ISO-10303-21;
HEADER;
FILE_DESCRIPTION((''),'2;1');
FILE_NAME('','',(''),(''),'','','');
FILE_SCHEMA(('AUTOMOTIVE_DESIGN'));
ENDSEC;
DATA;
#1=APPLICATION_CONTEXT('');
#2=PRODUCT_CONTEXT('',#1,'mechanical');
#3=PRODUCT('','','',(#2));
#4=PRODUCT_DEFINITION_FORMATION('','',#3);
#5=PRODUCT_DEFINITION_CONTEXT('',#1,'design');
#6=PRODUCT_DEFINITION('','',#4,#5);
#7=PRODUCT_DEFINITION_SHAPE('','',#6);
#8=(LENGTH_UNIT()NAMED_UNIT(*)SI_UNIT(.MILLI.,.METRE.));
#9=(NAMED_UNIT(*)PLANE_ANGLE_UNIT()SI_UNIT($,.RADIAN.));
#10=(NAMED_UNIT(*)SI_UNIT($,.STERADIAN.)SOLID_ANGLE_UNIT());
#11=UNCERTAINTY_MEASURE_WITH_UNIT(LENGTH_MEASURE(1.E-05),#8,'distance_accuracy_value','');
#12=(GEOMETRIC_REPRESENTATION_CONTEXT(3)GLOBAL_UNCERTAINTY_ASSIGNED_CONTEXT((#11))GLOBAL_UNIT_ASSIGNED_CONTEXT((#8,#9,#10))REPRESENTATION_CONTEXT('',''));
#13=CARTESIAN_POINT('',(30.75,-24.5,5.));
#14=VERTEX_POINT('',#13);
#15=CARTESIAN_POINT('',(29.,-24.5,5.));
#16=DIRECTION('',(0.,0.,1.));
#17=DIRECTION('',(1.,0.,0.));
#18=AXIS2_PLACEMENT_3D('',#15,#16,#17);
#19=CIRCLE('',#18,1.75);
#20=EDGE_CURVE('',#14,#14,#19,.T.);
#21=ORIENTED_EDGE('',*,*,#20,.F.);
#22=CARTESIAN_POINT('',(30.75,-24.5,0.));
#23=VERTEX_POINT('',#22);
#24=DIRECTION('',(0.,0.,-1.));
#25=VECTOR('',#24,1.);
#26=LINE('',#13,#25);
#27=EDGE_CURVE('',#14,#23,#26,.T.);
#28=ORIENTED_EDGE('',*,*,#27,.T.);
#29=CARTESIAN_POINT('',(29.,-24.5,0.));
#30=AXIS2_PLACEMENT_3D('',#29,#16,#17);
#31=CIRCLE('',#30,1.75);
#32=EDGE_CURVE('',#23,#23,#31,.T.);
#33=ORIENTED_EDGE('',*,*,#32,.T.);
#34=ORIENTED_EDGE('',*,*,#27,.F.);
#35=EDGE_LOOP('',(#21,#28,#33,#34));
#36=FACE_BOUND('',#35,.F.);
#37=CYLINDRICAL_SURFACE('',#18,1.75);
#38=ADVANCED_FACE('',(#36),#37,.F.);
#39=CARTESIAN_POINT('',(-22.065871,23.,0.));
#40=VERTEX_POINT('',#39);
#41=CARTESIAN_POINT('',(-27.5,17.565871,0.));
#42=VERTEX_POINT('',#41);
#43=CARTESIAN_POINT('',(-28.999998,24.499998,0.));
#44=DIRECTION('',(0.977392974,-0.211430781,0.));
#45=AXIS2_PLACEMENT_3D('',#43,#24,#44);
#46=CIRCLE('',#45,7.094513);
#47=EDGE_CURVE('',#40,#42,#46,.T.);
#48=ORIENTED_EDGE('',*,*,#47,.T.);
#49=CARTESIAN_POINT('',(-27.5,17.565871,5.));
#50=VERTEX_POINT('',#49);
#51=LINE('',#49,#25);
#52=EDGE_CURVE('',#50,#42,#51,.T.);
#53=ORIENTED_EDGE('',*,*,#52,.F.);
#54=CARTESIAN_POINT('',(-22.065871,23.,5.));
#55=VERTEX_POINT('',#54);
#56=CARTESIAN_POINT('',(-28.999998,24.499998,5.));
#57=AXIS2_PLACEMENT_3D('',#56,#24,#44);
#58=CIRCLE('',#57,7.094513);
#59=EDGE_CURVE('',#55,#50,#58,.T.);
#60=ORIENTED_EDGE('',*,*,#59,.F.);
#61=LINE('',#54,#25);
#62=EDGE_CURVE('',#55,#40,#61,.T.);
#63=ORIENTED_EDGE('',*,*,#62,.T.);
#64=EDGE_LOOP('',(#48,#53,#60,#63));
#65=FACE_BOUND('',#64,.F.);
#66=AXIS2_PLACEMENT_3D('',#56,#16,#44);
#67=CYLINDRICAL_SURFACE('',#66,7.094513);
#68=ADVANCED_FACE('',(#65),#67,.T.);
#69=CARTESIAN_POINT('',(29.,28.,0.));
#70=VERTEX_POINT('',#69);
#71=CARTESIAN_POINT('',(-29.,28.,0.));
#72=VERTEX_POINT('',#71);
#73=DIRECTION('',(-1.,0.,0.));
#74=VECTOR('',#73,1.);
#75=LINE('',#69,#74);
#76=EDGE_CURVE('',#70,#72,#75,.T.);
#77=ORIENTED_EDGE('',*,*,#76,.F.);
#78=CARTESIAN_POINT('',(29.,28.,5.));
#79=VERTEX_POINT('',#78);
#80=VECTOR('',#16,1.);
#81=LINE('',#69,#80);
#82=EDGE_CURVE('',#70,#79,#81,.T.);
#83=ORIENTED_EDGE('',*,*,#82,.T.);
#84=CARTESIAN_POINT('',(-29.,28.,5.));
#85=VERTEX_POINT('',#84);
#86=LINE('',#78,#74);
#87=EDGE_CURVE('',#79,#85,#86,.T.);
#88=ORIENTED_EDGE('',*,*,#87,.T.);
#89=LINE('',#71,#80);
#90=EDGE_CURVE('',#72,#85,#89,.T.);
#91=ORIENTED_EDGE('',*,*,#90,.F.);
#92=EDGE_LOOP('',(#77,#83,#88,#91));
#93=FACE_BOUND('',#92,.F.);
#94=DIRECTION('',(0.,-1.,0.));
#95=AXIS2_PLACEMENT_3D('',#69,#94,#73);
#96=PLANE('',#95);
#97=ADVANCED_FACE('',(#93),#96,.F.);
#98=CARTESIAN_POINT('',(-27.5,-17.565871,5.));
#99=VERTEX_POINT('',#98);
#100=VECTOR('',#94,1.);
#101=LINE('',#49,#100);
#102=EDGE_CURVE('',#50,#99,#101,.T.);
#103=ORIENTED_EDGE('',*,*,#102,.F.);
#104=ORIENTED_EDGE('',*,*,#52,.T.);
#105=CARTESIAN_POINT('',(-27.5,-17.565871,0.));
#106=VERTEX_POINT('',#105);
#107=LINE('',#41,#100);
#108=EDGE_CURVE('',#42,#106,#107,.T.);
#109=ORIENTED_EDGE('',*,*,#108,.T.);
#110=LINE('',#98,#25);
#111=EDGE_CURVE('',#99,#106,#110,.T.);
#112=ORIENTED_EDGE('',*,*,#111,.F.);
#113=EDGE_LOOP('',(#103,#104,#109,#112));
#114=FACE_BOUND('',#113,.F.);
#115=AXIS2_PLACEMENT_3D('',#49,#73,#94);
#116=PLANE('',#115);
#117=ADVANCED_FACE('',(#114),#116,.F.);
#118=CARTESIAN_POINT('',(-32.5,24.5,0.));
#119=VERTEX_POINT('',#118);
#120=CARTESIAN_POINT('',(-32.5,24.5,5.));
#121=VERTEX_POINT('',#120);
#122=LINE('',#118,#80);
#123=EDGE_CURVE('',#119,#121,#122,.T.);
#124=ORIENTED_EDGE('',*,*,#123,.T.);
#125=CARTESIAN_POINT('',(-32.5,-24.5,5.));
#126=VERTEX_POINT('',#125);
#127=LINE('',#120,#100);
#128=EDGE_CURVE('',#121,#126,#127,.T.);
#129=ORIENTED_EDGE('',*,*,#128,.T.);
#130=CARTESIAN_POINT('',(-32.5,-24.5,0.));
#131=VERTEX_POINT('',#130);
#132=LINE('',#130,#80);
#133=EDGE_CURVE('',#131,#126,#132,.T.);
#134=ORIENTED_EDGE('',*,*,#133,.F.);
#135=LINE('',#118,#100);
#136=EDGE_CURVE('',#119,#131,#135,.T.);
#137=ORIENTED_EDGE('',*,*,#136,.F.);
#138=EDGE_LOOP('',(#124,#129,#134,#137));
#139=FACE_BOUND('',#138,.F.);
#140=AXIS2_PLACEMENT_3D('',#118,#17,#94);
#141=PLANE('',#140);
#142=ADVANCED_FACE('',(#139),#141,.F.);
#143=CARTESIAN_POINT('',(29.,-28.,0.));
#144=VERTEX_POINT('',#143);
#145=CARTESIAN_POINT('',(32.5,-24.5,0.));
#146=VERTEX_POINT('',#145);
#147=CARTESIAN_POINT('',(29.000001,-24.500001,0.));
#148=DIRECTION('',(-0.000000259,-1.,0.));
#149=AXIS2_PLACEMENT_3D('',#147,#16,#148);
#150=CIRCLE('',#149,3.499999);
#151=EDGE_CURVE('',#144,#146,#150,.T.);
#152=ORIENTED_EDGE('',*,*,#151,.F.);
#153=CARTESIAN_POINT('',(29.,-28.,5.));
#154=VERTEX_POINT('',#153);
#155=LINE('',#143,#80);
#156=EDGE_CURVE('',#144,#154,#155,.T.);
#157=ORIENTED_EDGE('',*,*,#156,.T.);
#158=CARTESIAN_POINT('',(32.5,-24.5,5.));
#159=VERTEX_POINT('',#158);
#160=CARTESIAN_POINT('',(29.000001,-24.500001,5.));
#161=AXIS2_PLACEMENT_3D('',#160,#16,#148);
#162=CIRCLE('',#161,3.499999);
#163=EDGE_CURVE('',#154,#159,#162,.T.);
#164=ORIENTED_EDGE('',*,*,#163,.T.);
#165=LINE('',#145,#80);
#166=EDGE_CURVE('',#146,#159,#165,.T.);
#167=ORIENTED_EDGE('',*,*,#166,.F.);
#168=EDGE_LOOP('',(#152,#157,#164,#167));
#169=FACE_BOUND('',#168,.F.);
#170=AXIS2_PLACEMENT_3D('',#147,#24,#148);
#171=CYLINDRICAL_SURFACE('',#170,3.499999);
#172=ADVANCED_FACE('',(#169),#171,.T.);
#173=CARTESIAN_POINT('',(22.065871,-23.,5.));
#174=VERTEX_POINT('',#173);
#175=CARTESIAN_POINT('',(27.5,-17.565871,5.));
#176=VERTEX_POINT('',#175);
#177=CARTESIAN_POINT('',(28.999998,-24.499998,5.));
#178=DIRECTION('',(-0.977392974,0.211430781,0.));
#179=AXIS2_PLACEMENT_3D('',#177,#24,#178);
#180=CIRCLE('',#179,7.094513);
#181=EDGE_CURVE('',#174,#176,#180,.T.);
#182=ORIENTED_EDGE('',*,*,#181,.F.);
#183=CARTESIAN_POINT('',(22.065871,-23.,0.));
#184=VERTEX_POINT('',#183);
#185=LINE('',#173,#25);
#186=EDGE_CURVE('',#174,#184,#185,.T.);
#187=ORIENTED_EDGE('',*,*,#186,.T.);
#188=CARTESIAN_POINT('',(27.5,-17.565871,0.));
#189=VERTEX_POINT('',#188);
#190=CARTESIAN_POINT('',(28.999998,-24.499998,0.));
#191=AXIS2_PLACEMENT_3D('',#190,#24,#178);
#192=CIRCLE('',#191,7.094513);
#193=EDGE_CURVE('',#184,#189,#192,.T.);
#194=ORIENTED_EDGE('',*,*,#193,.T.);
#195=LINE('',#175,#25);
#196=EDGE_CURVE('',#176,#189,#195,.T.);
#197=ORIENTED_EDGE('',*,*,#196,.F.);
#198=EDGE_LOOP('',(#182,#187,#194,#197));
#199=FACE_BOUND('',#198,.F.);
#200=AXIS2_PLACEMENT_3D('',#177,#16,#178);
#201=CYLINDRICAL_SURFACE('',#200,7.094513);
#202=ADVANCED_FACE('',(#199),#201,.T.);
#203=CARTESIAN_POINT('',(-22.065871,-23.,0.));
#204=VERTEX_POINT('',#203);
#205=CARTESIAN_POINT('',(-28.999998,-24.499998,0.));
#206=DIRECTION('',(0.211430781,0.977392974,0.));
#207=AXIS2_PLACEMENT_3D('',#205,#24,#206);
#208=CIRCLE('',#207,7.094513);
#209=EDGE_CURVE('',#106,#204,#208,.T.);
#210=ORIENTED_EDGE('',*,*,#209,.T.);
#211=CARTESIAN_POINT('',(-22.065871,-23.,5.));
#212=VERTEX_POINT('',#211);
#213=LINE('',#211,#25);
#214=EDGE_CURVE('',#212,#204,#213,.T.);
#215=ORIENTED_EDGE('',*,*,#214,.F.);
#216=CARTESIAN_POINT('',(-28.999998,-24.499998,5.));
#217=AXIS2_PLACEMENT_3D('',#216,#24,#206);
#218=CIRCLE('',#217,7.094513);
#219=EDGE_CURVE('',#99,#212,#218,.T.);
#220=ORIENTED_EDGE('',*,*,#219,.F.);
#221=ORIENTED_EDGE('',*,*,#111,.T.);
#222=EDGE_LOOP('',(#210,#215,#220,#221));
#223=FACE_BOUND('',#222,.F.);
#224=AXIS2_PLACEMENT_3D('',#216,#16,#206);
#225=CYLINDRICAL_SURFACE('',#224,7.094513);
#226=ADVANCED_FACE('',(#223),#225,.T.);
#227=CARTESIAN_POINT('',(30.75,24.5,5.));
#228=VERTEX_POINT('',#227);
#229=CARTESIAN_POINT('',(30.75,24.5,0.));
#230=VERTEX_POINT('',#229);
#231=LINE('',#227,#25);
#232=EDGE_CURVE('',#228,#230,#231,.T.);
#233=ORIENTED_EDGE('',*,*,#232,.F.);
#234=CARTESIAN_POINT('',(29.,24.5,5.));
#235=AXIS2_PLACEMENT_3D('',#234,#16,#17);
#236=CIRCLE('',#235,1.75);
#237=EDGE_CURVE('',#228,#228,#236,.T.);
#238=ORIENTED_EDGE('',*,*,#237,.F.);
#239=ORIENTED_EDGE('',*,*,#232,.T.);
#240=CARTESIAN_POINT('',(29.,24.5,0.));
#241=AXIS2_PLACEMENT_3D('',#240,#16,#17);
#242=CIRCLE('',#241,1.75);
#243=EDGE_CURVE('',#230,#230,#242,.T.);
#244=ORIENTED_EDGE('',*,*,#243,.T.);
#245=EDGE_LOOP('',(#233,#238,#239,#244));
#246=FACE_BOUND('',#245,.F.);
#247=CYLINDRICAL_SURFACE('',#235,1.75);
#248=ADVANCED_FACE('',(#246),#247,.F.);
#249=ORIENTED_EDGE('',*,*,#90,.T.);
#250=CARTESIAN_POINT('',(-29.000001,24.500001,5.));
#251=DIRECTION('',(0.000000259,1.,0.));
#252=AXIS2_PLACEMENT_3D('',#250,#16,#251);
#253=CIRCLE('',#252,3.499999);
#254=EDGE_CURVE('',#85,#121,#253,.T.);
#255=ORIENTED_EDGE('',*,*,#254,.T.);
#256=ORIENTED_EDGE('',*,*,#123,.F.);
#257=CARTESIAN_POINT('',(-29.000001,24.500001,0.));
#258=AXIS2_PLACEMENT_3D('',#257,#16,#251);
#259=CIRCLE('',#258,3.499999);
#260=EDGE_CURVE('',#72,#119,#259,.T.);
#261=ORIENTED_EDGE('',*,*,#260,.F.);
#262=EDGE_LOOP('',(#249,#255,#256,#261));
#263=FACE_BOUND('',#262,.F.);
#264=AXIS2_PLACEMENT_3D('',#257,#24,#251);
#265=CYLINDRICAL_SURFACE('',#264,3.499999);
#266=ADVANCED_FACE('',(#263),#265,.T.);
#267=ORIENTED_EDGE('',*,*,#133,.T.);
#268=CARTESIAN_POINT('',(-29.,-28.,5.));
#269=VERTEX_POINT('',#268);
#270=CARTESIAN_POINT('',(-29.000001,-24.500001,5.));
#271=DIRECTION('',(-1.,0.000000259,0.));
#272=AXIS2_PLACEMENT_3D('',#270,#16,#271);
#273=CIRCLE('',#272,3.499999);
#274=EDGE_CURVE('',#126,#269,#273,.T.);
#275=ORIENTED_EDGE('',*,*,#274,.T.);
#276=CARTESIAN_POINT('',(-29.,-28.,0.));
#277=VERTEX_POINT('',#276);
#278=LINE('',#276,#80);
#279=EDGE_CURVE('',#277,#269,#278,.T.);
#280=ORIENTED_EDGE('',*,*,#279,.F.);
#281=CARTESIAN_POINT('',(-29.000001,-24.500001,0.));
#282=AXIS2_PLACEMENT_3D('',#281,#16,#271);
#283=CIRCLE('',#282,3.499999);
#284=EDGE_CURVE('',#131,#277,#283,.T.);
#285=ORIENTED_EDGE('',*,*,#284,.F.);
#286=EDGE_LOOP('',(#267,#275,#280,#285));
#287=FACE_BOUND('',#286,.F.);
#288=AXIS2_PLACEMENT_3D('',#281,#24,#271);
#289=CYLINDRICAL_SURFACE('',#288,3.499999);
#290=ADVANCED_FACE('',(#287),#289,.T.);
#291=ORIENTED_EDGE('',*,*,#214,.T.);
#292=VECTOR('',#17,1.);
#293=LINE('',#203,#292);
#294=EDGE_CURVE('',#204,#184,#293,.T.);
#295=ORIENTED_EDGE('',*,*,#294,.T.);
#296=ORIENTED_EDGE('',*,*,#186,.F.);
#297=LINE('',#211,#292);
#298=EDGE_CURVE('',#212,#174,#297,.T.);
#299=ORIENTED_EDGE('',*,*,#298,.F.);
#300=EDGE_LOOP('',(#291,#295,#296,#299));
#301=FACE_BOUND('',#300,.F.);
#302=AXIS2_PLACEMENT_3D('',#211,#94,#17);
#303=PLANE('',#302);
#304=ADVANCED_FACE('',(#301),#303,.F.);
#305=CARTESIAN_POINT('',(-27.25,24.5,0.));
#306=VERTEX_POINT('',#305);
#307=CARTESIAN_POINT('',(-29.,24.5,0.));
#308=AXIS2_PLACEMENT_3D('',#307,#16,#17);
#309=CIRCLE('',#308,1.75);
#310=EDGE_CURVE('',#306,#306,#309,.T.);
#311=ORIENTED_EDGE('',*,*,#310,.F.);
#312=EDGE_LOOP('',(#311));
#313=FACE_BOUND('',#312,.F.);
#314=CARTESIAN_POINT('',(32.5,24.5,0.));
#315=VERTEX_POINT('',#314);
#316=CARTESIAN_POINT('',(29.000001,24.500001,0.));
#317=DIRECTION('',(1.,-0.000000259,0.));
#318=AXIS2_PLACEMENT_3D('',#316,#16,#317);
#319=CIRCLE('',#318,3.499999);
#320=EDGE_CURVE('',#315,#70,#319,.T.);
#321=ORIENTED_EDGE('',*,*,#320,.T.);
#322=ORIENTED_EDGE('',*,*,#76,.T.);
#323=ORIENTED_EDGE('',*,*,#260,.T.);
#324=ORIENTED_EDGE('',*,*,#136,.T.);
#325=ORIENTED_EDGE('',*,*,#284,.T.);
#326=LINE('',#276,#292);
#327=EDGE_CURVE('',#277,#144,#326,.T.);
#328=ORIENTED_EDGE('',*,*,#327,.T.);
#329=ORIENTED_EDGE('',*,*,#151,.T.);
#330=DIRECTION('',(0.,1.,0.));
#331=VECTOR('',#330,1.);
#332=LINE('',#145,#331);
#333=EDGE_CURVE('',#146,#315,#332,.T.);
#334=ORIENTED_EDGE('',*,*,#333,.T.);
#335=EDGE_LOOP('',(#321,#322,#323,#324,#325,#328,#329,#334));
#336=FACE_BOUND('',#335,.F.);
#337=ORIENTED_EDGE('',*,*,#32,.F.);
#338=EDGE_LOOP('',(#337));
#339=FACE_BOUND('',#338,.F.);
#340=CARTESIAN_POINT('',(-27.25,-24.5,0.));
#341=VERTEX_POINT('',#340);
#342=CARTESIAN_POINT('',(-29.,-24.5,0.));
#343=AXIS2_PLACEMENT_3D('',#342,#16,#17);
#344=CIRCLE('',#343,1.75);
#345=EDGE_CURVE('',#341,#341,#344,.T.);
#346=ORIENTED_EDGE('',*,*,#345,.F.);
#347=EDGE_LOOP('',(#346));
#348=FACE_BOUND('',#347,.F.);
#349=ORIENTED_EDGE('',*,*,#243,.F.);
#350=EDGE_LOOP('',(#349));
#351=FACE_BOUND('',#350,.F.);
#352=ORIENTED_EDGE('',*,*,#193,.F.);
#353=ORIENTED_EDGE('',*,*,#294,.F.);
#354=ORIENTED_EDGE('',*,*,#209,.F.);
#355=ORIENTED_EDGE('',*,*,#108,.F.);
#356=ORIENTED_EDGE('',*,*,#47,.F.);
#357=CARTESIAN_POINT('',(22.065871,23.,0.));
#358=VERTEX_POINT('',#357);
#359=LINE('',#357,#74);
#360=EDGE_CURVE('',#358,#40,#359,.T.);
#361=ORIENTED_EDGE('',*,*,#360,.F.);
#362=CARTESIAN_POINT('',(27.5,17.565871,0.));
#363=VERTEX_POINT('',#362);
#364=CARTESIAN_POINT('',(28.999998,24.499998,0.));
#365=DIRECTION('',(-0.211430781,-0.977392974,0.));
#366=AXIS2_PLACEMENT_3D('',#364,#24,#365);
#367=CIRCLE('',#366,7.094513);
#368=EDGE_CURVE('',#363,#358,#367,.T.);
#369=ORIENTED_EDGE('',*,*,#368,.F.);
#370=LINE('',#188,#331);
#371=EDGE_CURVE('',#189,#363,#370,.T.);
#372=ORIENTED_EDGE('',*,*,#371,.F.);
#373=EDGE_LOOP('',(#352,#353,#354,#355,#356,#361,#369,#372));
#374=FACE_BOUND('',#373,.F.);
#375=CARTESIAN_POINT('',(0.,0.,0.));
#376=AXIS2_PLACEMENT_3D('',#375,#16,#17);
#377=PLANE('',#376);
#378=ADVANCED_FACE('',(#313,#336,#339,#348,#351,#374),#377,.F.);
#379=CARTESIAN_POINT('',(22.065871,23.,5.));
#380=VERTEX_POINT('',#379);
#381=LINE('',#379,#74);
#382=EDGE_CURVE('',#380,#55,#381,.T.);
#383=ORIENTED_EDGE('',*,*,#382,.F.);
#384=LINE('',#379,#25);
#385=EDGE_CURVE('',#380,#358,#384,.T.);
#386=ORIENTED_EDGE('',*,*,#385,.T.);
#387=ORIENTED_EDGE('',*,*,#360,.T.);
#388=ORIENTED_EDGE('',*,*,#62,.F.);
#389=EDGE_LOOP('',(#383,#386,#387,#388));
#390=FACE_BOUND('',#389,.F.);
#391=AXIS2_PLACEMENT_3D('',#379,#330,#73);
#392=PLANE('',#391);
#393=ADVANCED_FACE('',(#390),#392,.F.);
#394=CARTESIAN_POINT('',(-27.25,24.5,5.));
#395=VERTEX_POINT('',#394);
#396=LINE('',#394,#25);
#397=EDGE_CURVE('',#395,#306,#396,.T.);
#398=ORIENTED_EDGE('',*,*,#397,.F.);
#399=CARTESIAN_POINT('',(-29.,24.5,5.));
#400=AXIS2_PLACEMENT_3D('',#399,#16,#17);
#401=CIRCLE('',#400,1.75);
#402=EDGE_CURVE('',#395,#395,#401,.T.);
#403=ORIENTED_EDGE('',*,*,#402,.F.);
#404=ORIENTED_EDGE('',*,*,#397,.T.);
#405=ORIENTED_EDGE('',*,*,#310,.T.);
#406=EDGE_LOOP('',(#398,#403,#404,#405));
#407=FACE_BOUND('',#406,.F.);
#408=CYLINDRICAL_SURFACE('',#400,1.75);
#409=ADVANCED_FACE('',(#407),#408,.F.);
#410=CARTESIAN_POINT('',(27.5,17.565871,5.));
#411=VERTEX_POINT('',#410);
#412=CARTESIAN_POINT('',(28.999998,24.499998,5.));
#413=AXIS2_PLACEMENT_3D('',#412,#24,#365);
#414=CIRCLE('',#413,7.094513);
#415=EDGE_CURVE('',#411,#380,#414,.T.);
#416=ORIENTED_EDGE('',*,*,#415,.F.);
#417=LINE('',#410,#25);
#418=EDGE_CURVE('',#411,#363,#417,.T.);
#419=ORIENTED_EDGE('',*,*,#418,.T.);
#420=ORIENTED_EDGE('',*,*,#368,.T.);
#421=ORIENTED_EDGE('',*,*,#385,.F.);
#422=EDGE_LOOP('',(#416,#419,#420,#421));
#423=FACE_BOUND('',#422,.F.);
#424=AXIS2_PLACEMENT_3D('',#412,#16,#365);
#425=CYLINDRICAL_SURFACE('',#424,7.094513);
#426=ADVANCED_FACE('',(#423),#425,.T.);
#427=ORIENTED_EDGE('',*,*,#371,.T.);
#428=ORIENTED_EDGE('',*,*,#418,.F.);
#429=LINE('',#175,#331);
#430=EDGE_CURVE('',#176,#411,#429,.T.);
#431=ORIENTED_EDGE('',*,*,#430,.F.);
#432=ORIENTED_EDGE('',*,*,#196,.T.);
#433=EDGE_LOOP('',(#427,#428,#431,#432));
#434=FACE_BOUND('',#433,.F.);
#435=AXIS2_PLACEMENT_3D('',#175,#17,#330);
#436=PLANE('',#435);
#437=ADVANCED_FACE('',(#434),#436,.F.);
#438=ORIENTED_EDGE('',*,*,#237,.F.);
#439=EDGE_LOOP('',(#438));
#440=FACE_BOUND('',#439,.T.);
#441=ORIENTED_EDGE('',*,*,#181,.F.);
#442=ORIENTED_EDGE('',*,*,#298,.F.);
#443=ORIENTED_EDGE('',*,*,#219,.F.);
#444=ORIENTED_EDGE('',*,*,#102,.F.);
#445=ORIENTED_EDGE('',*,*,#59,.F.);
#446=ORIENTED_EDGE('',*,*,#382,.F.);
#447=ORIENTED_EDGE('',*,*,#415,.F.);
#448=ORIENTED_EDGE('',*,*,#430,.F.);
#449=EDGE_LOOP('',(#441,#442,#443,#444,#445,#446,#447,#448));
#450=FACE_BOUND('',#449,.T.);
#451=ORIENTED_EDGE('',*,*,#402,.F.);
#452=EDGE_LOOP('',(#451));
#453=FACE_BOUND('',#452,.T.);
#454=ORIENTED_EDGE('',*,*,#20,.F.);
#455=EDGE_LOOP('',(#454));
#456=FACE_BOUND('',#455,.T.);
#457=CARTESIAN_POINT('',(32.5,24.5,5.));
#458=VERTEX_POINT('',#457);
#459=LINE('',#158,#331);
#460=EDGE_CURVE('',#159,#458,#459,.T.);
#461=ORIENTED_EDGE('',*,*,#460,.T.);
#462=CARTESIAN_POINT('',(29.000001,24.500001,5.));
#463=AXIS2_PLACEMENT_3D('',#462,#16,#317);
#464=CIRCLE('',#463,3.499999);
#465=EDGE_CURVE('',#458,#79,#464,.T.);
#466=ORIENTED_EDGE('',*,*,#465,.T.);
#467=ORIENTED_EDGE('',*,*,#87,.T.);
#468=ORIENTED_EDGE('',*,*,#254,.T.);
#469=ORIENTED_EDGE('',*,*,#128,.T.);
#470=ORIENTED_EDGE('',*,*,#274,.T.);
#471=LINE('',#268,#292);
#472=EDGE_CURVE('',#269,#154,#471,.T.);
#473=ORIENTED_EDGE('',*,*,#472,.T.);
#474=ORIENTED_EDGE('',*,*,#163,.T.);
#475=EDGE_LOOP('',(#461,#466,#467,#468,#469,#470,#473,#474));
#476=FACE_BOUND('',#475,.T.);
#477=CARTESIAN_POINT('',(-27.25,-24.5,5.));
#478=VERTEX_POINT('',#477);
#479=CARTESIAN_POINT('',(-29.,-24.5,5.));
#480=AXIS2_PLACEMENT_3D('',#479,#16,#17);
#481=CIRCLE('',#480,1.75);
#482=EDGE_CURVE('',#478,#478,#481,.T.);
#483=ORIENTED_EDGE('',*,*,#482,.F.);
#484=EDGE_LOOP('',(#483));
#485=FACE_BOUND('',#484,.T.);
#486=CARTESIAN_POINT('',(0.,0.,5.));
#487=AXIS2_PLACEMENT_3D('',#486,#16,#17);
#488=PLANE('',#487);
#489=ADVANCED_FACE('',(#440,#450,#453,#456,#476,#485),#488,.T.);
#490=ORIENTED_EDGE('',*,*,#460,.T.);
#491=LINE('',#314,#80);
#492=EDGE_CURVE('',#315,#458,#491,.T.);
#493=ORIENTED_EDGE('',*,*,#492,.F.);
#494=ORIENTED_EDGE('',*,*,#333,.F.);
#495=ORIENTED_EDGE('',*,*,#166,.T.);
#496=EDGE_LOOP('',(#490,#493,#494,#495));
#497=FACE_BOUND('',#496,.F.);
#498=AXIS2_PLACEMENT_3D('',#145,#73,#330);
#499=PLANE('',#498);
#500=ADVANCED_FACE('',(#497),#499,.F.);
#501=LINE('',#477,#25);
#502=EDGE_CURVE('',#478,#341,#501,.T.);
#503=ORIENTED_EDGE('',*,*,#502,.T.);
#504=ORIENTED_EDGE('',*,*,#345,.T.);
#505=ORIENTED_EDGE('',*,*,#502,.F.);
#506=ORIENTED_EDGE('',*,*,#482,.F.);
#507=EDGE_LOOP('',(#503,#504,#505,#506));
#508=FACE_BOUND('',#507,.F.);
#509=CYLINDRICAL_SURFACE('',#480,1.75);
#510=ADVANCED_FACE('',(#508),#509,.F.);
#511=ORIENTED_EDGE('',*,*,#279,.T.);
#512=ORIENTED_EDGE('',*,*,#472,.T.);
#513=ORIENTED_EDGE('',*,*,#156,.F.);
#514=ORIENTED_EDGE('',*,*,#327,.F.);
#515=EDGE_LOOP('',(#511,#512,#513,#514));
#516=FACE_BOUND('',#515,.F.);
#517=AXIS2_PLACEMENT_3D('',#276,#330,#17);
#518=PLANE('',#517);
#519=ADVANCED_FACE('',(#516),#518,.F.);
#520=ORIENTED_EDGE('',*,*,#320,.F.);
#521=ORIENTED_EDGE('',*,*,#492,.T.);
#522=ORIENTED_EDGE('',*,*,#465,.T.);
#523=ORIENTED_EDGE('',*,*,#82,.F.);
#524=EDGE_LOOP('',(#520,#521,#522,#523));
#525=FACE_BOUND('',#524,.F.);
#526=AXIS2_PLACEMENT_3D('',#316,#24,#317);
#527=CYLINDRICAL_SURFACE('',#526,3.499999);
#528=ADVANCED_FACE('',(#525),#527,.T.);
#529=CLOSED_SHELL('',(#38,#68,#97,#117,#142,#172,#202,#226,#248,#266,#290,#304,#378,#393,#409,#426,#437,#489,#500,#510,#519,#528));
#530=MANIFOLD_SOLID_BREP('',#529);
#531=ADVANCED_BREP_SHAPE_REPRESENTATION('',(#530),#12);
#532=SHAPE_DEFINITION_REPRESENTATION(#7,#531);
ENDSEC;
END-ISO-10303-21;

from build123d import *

# Parameters (mm, degrees)
F1_DEPTH = 5
F2_R     = 1.75
F3_DEPTH = 5
F5_DEPTH = 5


with BuildPart() as f1:
    # F0 (on Top) → F1 (new body)
    with BuildSketch(Plane.XY):
        with BuildLine():
            Line((-29, -28), (29, -28))
            ThreePointArc((29, -28), (31.474874, -26.974874), (32.5, -24.5))
            Line((32.5, -24.5), (32.5, 24.5))
            ThreePointArc((32.5, 24.5), (31.474874, 26.974874), (29, 28))
            Line((29, 28), (-29, 28))
            ThreePointArc((-29, 28), (-31.474874, 26.974874), (-32.5, 24.5))
            Line((-32.5, 24.5), (-32.5, -24.5))
            ThreePointArc((-32.5, -24.5), (-31.474874, -26.974874), (-29, -28))
        make_face()
    extrude(amount=F1_DEPTH)

    # F2 (on face) → F3 (cut)
    with BuildSketch(Plane.XY.offset(5)):
        with Locations((-29, 24.5)):
            Circle(F2_R)
        with Locations((29, 24.5)):
            Circle(F2_R)
        with Locations((29, -24.5)):
            Circle(F2_R)
        with Locations((-29, -24.5)):
            Circle(F2_R)
    extrude(amount=-F3_DEPTH, mode=Mode.SUBTRACT)

    # F4 (on face) → F5 (cut)
    with BuildSketch(Plane.XY.offset(5)):
        with BuildLine():
            Line((22.065871, 23), (-22.065871, 23))
            ThreePointArc((-22.065871, 23), (-23.98342, 19.48342), (-27.5, 17.565871))
            Line((-27.5, 17.565871), (-27.5, -17.565871))
            ThreePointArc((-27.5, -17.565871), (-23.98342, -19.48342), (-22.065871, -23))
            Line((-22.065871, -23), (22.065871, -23))
            ThreePointArc((22.065871, -23), (23.98342, -19.48342), (27.5, -17.565871))
            Line((27.5, -17.565871), (27.5, 17.565871))
            ThreePointArc((27.5, 17.565871), (23.98342, 19.48342), (22.065871, 23))
        make_face()
    extrude(amount=-F5_DEPTH, mode=Mode.SUBTRACT)


solid = f1.part
